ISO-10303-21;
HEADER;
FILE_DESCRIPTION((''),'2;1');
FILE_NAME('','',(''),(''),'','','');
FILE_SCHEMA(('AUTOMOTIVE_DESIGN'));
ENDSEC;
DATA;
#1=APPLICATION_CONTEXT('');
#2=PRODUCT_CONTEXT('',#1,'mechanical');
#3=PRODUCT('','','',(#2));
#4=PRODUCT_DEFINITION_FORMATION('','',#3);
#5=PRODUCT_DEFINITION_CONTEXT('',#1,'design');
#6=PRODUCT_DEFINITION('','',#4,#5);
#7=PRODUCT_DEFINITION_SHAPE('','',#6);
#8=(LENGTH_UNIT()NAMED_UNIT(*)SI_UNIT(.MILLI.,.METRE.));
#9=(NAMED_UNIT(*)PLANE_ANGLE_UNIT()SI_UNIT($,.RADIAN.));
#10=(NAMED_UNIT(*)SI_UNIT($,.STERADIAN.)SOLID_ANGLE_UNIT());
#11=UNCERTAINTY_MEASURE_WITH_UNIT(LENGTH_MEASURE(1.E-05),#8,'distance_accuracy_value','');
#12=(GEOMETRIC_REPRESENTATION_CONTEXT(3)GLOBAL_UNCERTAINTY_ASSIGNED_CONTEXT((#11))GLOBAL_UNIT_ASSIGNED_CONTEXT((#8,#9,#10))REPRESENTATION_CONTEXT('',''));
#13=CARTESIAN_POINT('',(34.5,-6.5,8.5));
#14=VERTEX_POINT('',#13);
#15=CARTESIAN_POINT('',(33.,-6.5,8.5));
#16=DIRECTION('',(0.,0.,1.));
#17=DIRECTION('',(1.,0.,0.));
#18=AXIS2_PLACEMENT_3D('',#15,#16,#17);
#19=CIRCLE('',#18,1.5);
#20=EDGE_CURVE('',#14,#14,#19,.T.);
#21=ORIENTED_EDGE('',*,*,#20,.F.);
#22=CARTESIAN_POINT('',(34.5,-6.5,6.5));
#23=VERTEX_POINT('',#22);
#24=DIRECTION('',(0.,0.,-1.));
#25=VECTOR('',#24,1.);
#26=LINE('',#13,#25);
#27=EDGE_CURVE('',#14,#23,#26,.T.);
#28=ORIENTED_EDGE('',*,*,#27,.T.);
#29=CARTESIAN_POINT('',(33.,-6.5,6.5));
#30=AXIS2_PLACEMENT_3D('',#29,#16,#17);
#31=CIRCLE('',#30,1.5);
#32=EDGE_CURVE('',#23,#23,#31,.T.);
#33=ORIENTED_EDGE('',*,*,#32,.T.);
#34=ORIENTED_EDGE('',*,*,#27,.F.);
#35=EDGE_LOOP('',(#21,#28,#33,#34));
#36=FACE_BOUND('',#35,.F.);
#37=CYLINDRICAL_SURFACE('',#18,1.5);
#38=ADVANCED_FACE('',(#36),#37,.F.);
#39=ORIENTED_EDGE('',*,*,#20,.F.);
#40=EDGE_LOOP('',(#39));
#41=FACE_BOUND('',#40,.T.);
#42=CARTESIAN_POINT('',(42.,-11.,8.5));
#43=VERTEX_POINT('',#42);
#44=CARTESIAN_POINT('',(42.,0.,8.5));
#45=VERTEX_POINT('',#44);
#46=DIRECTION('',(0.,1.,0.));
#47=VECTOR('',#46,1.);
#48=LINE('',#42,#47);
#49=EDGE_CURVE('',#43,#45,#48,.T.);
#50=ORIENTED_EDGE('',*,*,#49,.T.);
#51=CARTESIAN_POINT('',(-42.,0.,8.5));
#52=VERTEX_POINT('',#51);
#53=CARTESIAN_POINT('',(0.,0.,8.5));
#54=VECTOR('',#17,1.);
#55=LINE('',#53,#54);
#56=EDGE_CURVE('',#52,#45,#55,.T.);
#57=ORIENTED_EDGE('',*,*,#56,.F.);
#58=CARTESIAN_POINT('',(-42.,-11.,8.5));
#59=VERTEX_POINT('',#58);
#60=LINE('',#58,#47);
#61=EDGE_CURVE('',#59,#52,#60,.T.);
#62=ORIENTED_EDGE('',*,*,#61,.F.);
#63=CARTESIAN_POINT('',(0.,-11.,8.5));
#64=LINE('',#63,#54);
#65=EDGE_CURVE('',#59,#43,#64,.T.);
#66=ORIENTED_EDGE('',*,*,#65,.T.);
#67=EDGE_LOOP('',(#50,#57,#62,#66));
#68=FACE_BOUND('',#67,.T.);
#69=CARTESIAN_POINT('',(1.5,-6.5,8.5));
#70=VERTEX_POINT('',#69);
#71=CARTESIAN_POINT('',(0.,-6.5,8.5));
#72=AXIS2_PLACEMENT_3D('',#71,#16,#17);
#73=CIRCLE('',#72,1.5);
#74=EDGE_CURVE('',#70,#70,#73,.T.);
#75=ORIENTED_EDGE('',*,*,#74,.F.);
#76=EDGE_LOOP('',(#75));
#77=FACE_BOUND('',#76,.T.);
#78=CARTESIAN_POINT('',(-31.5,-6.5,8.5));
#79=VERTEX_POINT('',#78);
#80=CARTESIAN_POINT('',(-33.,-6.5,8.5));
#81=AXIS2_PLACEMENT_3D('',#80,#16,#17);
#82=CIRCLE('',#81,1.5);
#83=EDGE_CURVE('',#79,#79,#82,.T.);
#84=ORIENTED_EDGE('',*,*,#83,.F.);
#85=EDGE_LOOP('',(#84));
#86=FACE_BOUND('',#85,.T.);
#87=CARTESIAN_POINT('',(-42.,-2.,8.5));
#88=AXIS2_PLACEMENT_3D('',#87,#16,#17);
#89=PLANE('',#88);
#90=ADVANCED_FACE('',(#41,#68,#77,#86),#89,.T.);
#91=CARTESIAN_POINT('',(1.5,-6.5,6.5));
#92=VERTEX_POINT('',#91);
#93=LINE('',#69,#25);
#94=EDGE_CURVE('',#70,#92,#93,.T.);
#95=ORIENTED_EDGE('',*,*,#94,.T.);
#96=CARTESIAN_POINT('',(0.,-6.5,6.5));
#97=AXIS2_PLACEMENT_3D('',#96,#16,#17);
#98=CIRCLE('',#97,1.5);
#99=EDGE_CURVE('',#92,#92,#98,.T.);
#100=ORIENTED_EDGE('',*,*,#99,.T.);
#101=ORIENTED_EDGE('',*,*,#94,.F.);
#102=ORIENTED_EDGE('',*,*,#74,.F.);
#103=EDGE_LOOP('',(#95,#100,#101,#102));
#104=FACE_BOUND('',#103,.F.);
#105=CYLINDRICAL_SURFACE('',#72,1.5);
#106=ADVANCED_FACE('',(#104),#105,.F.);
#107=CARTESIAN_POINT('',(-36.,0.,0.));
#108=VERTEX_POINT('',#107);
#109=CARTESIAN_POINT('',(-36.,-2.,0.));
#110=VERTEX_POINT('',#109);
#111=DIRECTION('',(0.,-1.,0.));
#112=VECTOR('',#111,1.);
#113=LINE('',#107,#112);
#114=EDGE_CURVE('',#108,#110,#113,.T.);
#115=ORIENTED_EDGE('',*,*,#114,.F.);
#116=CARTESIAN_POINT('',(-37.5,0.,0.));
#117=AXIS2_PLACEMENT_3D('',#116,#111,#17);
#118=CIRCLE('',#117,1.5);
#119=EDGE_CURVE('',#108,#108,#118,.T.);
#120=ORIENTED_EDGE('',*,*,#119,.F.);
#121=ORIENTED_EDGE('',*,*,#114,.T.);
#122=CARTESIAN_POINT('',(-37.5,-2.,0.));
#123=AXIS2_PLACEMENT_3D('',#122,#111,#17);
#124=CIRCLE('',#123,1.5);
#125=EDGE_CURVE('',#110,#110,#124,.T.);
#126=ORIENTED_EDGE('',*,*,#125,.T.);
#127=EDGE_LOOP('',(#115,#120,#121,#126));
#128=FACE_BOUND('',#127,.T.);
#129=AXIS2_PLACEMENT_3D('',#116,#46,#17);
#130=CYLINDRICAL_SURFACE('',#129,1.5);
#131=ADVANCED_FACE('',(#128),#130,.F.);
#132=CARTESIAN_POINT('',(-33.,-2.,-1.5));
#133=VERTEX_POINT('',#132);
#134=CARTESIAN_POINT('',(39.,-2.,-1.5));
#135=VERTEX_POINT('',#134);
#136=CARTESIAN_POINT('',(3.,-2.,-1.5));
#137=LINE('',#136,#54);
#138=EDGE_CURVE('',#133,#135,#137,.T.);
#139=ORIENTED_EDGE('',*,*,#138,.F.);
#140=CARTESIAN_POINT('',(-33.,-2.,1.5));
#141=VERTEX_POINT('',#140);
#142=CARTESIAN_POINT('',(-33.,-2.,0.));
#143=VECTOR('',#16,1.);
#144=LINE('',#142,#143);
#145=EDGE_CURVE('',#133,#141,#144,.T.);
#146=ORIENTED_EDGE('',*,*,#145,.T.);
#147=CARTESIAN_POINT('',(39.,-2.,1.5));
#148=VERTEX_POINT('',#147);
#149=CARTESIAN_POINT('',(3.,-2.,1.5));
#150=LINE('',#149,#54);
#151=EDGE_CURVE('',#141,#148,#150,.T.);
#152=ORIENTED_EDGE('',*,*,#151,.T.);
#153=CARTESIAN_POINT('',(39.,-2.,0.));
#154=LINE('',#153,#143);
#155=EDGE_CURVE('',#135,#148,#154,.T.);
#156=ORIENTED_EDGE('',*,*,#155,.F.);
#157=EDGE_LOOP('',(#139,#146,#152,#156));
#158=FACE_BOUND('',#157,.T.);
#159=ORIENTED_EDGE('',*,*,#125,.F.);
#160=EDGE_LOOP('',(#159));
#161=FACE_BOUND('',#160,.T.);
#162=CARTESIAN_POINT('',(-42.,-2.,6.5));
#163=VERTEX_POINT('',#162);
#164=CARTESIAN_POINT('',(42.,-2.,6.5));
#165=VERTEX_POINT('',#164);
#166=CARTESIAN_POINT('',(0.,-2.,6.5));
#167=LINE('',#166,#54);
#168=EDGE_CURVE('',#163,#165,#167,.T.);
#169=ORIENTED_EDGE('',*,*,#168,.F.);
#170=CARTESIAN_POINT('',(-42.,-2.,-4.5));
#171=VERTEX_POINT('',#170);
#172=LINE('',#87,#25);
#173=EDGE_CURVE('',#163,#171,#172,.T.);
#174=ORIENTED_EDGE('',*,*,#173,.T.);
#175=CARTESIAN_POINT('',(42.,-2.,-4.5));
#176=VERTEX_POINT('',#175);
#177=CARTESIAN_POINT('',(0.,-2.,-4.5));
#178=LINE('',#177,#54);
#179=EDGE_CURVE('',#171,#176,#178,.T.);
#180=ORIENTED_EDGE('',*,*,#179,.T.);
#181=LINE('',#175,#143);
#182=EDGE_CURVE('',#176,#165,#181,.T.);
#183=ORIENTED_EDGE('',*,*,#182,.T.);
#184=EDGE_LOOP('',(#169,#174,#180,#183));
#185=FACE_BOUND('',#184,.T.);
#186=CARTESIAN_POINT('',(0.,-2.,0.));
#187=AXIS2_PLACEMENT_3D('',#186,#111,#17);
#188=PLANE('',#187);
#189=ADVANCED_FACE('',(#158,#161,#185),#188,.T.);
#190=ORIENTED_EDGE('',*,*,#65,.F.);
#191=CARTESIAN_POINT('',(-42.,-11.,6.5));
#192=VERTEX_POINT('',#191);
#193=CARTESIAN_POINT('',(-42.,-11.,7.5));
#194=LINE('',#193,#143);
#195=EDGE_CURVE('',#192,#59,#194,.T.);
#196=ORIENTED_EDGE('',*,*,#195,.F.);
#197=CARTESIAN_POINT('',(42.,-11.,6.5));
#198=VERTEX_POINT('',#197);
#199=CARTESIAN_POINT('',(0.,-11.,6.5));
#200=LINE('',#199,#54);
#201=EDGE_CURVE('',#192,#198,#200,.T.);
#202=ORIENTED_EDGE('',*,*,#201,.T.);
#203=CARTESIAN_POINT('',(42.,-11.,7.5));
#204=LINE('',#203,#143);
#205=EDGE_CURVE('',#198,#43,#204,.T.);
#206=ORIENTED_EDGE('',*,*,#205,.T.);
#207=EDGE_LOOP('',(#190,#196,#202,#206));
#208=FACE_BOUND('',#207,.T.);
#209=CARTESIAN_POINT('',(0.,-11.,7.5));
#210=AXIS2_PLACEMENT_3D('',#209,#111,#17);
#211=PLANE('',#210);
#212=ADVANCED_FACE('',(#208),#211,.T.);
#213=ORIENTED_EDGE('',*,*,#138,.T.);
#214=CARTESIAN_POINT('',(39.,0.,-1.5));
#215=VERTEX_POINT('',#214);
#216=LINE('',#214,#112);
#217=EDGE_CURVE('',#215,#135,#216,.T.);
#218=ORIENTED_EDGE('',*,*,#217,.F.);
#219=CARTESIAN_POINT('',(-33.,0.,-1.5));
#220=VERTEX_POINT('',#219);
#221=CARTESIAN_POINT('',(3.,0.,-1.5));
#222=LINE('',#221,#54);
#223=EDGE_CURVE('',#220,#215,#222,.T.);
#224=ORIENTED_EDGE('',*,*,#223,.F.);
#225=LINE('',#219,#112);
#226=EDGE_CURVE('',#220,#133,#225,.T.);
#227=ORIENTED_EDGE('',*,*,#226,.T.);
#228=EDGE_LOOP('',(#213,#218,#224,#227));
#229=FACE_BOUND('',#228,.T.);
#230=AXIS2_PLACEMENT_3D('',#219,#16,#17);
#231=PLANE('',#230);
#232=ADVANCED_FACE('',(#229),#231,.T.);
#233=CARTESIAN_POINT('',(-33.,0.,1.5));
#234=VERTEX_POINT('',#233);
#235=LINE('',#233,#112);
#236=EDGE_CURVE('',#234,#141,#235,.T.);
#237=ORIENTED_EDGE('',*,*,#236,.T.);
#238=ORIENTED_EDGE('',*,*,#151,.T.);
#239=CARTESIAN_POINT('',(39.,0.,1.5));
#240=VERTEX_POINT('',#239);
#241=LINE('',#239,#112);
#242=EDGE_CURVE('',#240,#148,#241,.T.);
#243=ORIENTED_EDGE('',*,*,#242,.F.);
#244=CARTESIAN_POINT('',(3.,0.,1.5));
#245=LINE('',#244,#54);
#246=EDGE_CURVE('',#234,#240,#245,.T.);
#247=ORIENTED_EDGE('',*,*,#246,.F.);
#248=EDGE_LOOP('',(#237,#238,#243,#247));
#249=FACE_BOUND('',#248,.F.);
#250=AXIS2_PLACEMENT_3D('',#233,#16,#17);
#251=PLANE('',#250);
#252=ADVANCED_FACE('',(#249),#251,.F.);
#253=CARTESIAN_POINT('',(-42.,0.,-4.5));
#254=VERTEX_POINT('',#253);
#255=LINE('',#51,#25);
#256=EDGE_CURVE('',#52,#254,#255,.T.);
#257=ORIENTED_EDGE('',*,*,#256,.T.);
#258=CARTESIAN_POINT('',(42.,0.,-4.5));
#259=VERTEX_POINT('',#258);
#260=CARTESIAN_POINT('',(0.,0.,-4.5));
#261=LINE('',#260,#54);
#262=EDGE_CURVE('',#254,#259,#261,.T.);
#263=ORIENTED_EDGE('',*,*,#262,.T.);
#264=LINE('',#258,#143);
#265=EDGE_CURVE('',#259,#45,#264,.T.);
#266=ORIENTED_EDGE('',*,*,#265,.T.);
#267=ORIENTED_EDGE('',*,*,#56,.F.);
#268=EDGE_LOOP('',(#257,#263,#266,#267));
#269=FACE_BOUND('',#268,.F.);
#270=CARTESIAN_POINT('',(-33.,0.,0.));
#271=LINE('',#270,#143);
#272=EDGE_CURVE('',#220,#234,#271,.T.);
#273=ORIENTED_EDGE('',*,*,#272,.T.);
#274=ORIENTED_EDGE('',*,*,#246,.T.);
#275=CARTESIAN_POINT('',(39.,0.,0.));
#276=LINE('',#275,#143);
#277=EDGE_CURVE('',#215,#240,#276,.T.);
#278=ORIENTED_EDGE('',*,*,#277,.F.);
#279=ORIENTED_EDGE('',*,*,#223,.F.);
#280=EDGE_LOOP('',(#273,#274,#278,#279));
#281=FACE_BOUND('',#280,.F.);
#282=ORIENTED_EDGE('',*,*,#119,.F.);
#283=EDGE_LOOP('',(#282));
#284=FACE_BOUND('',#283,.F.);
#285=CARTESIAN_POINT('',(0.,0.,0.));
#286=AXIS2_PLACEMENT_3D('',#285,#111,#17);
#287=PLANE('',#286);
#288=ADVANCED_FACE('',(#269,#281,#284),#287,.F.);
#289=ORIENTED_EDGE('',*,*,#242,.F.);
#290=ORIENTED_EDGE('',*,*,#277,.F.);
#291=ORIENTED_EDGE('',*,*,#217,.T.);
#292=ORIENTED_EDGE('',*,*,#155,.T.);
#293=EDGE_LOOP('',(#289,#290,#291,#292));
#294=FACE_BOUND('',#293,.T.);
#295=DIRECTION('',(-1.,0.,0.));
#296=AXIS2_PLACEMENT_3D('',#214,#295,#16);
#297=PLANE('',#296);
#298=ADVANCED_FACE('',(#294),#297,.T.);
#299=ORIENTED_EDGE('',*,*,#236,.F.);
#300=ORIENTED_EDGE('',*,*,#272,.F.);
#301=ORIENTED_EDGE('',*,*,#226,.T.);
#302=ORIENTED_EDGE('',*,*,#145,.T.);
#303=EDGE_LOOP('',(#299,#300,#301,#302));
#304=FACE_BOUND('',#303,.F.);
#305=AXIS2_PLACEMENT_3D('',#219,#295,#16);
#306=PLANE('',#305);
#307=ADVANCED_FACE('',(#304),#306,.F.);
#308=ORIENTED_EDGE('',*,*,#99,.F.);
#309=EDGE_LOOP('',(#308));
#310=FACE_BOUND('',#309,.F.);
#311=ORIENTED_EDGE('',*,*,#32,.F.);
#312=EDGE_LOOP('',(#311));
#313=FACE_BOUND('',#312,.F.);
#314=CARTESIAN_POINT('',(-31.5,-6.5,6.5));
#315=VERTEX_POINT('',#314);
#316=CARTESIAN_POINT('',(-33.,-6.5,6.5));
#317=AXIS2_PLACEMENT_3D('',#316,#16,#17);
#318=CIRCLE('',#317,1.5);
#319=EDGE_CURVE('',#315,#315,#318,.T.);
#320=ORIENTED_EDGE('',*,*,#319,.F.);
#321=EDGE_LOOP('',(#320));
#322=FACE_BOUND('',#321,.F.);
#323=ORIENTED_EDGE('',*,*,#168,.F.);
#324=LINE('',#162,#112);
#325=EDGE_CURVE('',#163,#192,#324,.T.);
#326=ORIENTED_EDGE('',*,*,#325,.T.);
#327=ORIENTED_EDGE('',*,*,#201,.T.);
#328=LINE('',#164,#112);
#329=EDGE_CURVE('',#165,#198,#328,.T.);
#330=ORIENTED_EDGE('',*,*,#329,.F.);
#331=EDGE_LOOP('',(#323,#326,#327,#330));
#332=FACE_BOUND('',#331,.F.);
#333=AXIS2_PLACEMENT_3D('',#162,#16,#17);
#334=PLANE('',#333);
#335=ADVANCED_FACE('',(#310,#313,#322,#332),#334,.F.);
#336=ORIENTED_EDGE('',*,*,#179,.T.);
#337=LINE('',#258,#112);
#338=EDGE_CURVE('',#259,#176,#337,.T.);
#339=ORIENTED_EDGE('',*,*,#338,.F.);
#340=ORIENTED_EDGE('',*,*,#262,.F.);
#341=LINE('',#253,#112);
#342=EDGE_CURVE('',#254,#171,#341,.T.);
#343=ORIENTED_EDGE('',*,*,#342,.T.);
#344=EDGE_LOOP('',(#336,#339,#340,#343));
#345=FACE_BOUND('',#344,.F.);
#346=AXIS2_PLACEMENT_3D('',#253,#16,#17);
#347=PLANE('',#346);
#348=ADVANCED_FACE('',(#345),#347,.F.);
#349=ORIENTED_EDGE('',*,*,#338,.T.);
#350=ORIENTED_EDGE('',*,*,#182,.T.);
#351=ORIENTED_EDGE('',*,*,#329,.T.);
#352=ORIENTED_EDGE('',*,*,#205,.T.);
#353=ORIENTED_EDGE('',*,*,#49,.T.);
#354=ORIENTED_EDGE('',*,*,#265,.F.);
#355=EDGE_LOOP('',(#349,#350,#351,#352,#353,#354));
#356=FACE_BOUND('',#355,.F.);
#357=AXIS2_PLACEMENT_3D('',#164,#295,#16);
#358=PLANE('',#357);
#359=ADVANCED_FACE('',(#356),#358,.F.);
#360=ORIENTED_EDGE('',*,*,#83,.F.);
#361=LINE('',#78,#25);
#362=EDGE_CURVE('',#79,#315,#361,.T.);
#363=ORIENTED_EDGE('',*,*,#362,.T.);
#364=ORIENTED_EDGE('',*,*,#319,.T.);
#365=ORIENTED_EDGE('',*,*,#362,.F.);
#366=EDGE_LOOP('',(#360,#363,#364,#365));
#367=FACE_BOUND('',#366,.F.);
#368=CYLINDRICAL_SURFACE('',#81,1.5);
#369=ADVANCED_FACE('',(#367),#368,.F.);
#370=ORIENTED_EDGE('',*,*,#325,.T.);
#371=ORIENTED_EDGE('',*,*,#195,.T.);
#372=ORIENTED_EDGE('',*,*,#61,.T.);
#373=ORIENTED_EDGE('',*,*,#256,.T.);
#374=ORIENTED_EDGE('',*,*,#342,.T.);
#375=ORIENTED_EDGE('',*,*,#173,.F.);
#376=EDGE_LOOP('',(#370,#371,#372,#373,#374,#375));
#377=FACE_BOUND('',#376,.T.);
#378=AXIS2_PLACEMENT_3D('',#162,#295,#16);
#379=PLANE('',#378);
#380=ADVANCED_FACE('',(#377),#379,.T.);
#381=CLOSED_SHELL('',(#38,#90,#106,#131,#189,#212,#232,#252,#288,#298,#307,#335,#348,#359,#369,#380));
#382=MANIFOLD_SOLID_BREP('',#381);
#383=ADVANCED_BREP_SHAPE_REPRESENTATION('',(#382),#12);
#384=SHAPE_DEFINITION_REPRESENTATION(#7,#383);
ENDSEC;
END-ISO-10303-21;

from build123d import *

# Parameters (mm, degrees)
F0_W     = 84
F0_H     = 9
F0_R     = 1.5
F0_W_2   = 72
F0_H_2   = 3
F0_H_3   = 4
F1_DEPTH = 2
F2_W     = 84
F2_H     = 2
F3_DEPTH = 9
F4_R     = 1.5
F5_DEPTH = 25


with BuildPart() as f1:
    # F0 (on Front) → F1 (new body)
    with BuildSketch(Plane.XZ):
        Rectangle(F0_W, F0_H)
        with Locations((-37.5, 0)):
            Circle(F0_R, mode=Mode.SUBTRACT)
        with Locations((3, 0)):
            Rectangle(F0_W_2, F0_H_2, mode=Mode.SUBTRACT)
        with Locations((0, 6.5)):
            Rectangle(F0_W, F0_H_3)
    extrude(amount=F1_DEPTH)

    # F2 (on face) → F3 (join)
    with BuildSketch(Plane.XZ.offset(2)):
        with Locations((0, 7.5)):
            Rectangle(F2_W, F2_H)
    extrude(amount=F3_DEPTH)

    # F4 (on face) → F5 (cut)
    with BuildSketch(Plane.XY.offset(8.5)):
        with Locations((0, -6.5)):
            Circle(F4_R)
        with Locations((33, -6.5)):
            Circle(F4_R)
        with Locations((-33, -6.5)):
            Circle(F4_R)
    extrude(amount=-F5_DEPTH, mode=Mode.SUBTRACT)


solid = f1.part
